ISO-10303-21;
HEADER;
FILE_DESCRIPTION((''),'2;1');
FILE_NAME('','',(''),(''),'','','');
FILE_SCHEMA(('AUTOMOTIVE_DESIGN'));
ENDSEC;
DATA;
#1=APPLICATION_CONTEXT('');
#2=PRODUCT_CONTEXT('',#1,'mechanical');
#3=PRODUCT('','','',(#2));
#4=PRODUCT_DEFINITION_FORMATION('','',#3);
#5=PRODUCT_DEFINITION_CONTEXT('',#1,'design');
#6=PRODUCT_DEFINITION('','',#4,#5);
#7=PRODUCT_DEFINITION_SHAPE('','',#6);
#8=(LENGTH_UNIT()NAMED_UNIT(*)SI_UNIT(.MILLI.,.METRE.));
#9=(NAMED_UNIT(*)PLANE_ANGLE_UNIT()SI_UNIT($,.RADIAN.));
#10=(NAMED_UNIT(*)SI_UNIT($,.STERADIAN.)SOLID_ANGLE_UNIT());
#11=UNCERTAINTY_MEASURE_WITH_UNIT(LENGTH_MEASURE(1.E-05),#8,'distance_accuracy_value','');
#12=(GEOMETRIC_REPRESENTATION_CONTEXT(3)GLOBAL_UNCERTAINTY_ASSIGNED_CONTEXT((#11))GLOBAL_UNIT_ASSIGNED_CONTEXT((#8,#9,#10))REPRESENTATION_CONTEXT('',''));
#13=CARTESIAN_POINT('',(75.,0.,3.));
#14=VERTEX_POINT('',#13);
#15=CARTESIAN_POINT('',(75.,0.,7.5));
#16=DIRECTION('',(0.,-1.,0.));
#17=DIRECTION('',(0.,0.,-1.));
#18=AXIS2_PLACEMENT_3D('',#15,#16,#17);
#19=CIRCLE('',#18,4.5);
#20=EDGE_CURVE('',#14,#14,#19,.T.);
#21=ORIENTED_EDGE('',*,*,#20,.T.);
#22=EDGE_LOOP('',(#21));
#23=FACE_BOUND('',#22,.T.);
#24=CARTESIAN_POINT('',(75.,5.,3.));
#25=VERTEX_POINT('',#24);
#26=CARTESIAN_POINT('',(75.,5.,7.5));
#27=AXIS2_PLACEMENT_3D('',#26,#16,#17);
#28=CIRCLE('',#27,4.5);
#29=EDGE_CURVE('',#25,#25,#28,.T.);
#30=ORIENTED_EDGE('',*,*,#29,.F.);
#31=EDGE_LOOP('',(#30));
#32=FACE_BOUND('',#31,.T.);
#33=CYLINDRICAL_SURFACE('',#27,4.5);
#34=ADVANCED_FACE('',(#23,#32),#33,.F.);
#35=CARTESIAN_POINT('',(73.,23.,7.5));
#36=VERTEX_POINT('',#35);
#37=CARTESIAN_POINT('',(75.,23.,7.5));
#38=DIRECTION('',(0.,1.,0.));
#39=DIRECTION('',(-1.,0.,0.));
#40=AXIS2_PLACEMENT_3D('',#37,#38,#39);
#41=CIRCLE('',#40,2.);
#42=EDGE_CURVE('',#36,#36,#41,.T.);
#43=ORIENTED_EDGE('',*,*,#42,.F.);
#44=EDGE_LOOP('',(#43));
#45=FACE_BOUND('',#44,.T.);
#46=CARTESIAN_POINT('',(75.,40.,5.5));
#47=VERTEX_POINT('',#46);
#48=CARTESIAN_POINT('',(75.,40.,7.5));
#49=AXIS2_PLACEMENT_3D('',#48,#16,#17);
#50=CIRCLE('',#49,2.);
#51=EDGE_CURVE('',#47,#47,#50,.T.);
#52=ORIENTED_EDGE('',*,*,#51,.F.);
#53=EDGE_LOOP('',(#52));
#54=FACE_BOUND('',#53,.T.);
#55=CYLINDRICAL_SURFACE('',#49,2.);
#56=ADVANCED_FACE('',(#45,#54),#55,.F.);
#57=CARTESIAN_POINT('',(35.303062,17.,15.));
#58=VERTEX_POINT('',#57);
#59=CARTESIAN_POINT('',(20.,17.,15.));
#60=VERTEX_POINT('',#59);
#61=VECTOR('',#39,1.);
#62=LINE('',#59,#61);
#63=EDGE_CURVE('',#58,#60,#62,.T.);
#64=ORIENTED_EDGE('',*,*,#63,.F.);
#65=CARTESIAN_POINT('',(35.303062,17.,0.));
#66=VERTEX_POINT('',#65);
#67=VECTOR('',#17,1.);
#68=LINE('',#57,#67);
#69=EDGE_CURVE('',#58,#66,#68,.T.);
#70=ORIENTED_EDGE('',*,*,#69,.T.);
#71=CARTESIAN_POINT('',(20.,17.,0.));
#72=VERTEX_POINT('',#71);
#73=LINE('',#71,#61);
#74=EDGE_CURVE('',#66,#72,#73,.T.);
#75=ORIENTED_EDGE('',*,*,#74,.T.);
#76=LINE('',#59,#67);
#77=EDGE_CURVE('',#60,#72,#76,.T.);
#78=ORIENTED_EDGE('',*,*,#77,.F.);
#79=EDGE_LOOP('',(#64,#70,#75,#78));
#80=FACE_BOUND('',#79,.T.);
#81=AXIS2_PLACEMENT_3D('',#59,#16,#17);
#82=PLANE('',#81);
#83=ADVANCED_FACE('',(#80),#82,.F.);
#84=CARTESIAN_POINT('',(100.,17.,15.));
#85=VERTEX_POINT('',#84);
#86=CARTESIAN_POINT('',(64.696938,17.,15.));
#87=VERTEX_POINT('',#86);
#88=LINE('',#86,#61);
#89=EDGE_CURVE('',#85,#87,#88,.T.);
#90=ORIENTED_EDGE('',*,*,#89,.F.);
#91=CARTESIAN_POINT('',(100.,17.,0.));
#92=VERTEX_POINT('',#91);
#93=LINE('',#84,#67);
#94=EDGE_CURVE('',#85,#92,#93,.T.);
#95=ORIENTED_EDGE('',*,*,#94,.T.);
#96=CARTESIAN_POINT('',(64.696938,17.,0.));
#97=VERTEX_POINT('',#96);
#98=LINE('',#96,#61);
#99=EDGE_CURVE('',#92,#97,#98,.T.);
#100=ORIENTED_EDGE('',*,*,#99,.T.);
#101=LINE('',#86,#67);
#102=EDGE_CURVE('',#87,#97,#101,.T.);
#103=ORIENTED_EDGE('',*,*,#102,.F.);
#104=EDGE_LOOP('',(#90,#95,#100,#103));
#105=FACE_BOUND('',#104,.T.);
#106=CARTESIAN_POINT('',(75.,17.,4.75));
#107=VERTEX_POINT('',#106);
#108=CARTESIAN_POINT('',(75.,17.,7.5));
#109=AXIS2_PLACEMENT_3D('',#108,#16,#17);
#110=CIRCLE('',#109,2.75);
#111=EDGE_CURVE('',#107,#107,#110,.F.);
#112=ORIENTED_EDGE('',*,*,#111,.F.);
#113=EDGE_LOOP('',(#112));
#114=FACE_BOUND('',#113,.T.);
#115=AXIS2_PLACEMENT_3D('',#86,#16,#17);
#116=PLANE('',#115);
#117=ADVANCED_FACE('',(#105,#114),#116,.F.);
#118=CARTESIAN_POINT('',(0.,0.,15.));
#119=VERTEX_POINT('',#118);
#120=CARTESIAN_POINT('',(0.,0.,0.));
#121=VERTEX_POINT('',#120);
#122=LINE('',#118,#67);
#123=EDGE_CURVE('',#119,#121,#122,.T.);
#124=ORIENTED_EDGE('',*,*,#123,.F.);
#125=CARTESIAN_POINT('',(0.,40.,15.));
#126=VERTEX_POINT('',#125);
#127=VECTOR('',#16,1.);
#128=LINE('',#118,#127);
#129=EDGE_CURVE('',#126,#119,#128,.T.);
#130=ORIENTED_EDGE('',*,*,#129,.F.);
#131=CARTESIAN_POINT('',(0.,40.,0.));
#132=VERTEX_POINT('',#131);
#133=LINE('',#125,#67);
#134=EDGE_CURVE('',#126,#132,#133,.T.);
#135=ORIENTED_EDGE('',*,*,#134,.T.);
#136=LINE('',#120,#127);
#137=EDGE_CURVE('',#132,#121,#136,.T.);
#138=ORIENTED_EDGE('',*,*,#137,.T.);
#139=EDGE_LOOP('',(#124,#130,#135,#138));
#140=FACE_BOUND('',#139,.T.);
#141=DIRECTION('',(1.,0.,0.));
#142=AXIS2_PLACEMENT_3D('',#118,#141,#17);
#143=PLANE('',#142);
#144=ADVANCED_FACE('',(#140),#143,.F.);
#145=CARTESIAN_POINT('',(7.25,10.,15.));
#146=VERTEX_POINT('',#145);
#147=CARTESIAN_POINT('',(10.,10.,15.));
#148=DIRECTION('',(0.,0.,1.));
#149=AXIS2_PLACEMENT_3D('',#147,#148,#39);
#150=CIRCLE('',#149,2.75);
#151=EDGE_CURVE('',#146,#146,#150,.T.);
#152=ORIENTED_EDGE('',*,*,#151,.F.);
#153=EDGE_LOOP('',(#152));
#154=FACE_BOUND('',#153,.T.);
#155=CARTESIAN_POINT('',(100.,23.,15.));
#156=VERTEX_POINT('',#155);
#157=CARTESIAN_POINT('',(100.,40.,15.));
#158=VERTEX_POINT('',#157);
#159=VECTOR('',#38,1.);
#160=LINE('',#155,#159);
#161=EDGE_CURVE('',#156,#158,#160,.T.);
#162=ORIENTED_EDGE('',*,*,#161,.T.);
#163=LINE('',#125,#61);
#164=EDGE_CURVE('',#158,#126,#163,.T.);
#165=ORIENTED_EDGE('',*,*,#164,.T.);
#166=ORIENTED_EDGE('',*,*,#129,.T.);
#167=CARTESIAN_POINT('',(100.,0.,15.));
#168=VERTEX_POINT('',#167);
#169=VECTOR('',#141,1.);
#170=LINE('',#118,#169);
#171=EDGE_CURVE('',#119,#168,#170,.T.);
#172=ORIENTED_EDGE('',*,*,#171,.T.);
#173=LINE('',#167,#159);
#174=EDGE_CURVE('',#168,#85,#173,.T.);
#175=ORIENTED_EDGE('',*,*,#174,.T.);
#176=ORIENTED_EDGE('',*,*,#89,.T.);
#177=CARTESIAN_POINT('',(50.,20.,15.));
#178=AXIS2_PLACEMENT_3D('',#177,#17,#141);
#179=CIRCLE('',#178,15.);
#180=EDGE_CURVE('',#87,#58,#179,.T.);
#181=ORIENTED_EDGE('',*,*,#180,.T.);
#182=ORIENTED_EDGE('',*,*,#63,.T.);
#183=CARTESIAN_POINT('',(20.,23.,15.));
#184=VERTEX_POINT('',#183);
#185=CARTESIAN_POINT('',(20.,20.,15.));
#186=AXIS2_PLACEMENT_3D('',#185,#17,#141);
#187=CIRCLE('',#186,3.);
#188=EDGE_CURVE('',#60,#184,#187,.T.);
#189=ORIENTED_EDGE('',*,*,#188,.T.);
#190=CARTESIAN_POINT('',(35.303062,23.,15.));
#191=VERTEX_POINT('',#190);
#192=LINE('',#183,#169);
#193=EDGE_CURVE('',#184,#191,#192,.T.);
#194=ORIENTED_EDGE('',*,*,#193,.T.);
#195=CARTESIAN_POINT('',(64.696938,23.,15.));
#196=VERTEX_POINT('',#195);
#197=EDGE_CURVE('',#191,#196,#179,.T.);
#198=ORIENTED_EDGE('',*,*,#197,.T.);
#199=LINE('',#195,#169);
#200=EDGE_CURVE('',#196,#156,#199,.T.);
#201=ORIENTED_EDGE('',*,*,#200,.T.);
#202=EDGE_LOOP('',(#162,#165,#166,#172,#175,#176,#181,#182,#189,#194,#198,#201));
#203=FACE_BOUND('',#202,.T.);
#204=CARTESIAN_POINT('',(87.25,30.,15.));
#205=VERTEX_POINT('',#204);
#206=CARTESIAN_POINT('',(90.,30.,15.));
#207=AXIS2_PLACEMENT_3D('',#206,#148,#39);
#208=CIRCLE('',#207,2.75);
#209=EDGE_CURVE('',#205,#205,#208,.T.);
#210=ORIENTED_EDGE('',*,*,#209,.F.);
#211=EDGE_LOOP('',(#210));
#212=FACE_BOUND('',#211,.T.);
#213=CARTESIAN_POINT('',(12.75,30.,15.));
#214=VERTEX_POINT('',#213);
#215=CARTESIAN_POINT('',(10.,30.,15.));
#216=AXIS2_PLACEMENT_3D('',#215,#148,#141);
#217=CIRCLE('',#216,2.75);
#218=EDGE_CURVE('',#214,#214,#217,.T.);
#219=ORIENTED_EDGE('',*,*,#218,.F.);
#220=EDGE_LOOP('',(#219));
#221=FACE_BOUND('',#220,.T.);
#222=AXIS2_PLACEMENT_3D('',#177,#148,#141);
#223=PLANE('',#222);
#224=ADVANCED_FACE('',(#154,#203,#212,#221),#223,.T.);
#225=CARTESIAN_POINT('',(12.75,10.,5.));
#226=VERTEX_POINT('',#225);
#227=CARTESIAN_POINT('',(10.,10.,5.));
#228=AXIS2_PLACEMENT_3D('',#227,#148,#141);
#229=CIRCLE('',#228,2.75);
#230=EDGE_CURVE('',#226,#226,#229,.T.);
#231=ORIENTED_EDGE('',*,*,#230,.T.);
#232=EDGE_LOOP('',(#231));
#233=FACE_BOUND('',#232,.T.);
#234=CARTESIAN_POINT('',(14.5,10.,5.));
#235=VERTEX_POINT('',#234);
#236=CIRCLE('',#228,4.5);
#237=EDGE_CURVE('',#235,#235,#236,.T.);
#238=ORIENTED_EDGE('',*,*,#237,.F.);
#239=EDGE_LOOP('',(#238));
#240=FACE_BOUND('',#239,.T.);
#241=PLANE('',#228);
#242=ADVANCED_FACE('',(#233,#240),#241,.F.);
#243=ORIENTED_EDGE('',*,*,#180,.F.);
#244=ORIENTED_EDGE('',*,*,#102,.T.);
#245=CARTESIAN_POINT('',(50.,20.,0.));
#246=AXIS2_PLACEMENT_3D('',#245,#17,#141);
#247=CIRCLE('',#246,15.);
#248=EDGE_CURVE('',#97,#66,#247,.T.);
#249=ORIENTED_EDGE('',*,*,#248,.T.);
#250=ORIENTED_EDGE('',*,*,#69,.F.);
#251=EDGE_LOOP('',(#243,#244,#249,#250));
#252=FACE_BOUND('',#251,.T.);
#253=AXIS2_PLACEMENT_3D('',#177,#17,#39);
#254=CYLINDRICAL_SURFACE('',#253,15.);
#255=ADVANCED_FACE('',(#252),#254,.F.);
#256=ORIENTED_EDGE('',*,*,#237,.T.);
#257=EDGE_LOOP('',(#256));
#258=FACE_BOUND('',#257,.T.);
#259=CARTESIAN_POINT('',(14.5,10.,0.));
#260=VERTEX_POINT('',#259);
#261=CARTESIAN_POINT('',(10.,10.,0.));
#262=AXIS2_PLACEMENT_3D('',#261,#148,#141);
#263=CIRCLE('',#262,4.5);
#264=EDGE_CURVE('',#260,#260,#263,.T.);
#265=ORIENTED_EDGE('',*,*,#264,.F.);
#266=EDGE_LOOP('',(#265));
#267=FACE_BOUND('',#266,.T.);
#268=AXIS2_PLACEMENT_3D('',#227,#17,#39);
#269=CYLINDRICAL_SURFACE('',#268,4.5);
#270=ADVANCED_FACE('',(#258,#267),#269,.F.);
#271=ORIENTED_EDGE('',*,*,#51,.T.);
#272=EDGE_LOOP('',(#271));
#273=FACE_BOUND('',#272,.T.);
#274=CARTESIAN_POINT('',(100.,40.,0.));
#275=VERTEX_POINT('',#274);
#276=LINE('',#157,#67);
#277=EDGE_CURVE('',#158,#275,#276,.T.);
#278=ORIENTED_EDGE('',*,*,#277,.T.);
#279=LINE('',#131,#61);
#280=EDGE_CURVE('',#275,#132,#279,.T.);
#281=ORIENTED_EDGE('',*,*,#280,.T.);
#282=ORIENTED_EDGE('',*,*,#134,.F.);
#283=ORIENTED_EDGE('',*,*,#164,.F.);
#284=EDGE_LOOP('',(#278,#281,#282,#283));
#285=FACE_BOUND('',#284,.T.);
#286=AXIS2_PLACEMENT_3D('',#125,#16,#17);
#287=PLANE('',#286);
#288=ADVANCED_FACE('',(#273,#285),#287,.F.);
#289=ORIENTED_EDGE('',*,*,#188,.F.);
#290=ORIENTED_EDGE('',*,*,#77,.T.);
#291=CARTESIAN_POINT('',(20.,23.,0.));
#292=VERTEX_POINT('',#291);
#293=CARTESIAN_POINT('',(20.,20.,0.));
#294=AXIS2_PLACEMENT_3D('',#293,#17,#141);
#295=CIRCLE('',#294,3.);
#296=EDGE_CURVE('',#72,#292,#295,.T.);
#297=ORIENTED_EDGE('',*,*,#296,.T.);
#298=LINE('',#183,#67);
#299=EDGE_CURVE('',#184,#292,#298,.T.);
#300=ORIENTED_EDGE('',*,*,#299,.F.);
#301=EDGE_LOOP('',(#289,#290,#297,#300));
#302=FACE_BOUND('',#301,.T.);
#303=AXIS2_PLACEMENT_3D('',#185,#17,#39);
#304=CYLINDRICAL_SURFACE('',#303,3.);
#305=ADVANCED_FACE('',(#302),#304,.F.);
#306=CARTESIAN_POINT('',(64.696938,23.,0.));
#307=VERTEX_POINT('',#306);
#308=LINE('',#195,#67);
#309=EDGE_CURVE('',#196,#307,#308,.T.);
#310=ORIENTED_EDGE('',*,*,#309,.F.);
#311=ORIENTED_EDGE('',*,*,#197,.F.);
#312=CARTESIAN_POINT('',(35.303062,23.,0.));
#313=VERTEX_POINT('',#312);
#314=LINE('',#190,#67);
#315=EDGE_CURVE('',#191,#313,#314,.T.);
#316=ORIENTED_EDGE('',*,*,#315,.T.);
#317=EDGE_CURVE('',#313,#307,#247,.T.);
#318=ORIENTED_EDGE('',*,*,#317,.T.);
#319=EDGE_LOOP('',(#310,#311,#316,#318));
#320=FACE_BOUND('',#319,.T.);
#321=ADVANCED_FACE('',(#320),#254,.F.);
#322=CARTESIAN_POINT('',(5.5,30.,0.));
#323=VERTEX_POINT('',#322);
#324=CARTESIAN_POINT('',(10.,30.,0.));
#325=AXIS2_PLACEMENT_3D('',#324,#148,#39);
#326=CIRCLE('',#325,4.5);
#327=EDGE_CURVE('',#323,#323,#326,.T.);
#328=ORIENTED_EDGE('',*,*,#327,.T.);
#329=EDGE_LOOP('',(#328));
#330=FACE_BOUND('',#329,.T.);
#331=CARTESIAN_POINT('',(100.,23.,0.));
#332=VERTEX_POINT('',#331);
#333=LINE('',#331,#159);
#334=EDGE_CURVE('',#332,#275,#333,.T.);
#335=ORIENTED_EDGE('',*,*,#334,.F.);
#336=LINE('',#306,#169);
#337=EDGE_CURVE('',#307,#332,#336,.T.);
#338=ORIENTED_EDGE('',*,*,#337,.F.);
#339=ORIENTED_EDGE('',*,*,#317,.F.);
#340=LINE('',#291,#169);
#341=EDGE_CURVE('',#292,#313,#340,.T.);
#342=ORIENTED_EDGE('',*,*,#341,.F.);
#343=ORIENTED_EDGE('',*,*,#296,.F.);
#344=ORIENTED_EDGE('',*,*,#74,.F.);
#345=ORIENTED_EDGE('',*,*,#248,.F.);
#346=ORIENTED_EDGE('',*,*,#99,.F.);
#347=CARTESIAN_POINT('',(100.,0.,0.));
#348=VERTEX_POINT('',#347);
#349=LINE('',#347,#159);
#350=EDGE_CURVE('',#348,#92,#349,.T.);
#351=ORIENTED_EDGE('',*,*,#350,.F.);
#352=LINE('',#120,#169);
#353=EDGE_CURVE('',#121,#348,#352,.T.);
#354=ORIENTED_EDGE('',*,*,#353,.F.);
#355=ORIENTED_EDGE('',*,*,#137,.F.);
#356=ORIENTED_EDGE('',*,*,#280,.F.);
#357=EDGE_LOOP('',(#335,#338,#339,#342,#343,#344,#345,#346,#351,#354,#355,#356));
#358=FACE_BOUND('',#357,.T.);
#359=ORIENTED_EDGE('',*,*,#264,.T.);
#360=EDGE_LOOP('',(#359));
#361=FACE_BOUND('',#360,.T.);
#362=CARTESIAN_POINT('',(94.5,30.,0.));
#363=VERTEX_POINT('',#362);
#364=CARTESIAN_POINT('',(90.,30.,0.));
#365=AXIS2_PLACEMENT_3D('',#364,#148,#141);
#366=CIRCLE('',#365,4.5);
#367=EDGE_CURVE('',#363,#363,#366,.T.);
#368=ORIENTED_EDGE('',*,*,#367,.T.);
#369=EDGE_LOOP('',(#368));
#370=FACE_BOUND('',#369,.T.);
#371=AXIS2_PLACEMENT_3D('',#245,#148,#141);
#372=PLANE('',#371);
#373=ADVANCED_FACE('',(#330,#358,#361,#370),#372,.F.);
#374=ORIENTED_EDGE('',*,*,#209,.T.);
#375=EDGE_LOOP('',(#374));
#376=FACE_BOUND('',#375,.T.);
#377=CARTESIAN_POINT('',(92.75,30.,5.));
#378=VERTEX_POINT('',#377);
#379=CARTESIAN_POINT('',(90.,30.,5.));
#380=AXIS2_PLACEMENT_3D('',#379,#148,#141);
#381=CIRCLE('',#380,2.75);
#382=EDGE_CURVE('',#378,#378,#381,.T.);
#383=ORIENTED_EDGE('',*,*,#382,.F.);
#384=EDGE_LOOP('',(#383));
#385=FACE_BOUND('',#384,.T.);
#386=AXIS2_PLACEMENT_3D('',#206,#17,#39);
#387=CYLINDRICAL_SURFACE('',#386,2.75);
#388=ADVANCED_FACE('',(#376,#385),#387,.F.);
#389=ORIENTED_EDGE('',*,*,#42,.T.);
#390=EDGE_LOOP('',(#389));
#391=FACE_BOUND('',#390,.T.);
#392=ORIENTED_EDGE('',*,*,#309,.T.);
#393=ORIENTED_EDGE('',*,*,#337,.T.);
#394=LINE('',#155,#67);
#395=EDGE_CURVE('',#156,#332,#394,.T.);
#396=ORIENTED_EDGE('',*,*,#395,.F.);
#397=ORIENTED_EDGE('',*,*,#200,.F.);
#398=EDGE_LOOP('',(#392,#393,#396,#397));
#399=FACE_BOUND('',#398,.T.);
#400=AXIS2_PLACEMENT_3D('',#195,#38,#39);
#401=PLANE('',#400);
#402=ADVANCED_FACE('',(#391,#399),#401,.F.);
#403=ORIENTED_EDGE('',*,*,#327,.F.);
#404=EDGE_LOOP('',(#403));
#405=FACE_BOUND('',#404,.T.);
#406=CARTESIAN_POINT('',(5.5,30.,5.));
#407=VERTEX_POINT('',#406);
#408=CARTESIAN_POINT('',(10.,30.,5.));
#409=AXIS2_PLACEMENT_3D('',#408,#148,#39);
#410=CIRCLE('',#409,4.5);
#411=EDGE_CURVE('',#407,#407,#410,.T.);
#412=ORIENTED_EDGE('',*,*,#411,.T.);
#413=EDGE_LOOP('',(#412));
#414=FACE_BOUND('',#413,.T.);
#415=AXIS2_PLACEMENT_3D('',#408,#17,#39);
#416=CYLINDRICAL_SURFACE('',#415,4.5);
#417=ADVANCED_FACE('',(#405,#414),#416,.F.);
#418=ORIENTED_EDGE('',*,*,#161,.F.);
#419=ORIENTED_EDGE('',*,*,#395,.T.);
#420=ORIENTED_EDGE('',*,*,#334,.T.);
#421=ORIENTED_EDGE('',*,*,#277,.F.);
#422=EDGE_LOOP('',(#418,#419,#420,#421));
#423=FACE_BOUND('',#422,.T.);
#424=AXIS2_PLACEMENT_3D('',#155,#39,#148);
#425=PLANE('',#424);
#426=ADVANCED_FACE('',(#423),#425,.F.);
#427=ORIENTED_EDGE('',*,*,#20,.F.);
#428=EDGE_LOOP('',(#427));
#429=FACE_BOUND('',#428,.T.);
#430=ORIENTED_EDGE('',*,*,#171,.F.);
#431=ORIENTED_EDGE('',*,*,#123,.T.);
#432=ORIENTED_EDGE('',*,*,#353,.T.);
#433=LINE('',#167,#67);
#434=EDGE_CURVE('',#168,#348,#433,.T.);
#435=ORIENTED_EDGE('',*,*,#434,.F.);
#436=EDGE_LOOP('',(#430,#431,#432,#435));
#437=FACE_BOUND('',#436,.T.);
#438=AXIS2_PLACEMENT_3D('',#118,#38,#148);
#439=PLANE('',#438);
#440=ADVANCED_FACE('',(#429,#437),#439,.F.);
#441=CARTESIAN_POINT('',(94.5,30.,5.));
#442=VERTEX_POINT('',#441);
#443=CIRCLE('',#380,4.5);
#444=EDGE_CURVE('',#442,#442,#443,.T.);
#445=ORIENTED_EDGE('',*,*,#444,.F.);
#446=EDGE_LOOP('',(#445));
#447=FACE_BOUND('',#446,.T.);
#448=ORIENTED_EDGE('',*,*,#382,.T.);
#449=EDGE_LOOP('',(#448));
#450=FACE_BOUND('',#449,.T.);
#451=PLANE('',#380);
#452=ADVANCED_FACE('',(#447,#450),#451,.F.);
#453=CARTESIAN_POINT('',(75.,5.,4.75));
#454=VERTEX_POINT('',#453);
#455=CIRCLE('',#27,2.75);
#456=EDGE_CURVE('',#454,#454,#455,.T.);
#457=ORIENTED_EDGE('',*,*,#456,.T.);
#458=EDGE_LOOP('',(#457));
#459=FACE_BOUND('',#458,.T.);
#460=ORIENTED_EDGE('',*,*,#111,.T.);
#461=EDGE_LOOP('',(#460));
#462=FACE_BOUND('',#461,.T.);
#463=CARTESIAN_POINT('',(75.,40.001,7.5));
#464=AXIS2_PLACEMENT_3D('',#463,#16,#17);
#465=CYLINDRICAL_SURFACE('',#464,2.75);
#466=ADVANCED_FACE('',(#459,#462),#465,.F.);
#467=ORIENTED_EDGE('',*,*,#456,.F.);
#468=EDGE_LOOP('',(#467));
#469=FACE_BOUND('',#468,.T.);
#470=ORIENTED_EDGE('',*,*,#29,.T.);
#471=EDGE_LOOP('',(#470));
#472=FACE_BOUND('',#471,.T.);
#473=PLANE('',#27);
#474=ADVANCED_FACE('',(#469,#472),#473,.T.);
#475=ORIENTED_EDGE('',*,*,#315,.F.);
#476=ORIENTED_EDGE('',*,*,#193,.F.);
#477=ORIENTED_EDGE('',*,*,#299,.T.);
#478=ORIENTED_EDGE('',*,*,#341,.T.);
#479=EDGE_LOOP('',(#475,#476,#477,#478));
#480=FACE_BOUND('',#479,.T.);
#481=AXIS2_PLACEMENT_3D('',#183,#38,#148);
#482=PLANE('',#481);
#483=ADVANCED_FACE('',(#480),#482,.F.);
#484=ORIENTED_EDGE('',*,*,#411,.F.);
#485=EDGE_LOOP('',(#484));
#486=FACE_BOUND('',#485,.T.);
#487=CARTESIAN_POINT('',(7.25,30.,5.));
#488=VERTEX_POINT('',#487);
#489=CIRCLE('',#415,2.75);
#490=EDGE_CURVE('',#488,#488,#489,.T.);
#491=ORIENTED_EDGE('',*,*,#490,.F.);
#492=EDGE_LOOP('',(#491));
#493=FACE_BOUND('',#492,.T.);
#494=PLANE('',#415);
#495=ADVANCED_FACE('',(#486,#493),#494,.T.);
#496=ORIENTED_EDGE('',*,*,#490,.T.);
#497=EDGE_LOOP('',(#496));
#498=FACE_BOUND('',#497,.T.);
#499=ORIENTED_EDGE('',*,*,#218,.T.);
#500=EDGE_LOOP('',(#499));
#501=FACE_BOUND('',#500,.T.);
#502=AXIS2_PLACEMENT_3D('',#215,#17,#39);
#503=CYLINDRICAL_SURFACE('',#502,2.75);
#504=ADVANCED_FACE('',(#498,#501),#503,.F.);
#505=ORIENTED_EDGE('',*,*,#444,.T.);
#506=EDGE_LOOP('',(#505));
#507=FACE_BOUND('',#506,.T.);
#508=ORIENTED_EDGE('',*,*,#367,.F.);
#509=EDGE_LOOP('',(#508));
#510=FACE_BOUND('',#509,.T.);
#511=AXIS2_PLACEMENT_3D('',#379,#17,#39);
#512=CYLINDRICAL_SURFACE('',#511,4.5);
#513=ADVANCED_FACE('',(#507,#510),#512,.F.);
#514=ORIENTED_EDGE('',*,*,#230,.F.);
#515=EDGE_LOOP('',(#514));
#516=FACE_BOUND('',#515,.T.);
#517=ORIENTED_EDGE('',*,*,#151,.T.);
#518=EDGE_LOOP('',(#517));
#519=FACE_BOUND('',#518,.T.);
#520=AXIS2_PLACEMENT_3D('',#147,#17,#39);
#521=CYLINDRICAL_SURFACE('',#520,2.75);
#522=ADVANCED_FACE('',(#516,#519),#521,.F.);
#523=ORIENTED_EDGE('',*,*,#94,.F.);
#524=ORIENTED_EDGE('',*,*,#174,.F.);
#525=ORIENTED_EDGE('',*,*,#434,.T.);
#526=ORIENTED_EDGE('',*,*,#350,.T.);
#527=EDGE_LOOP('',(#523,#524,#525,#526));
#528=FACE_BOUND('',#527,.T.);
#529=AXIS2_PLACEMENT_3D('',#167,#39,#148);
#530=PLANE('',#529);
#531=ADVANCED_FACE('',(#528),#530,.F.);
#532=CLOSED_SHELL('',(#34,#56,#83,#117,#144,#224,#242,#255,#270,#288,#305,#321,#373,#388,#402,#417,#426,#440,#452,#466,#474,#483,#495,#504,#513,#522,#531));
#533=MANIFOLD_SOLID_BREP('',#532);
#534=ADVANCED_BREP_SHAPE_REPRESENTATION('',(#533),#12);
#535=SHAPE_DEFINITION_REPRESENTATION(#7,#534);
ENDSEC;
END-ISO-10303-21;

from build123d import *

# Parameters (mm, degrees)
SKETCH1_R           = 2.75
BOSS_EXTRUDE1_DEPTH = 15
SKETCH2_R           = 2
CUT_EXTRUDE1_DEPTH  = 41
SKETCH3_R           = 4.5
CUT_EXTRUDE2_DEPTH  = 5
SKETCH4_R           = 4.5
CUT_EXTRUDE3_DEPTH  = 5
CUT_EXTRUDE4_REACH  = 37
SKETCH5_R           = 2.75


with BuildPart() as part:
    # Sketch1 → Boss-Extrude1 (new body)
    with BuildSketch(Plane.XY):
        with BuildLine():
            Line((0, 0), (100, 0))
            Line((100, 0), (100, 17))
            Line((100, 17), (64.696938457, 17))
            ThreePointArc((64.696938457, 17), (50, 5), (35.303061543, 17))
            Line((35.303061543, 17), (20, 17))
            ThreePointArc((20, 17), (17, 20), (20, 23))
            Line((20, 23), (35.303061543, 23))
            ThreePointArc((35.303061543, 23), (50, 35), (64.696938457, 23))
            Line((64.696938457, 23), (100, 23))
            Line((100, 23), (100, 40))
            Line((100, 40), (0, 40))
            Line((0, 40), (0, 0))
        make_face()
        with Locations((10, 30)):
            Circle(SKETCH1_R, mode=Mode.SUBTRACT)
        with Locations((10, 10)):
            Circle(SKETCH1_R, mode=Mode.SUBTRACT)
        with Locations((90, 30)):
            Circle(SKETCH1_R, mode=Mode.SUBTRACT)
    extrude(amount=BOSS_EXTRUDE1_DEPTH)

    # Sketch2 → Cut-Extrude1 (cut, through all)
    with BuildSketch(Plane.XZ):
        with Locations((75, 7.5)):
            Circle(SKETCH2_R)
    extrude(amount=-CUT_EXTRUDE1_DEPTH, mode=Mode.SUBTRACT)

    # Sketch3 → Cut-Extrude2 (cut)
    with BuildSketch(Plane.XZ):
        with Locations((75, 7.5)):
            Circle(SKETCH3_R)
    extrude(amount=-CUT_EXTRUDE2_DEPTH, mode=Mode.SUBTRACT)

    # Sketch4 → Cut-Extrude3 (cut)
    with BuildSketch(Plane.XY):
        with Locations((10, 10)):
            Circle(SKETCH4_R)
        with Locations((10, 30)):
            Circle(SKETCH4_R)
        with Locations((90, 30)):
            Circle(SKETCH4_R)
    extrude(amount=CUT_EXTRUDE3_DEPTH, mode=Mode.SUBTRACT)

    # Sketch5 → Cut-Extrude4 (cut, up to next)
    with BuildSketch(Plane.XZ.offset(-5), mode=Mode.PRIVATE) as cut_extrude4_sk1:
        with Locations((75, 7.5)):
            Circle(SKETCH5_R)
    cut_extrude4_tool1 = extrude(cut_extrude4_sk1.sketch, amount=-CUT_EXTRUDE4_REACH, mode=Mode.PRIVATE) & part.part
    add(cut_extrude4_tool1.solids().sort_by_distance((75, 5, 7.5))[0], mode=Mode.SUBTRACT)


solid = part.part
